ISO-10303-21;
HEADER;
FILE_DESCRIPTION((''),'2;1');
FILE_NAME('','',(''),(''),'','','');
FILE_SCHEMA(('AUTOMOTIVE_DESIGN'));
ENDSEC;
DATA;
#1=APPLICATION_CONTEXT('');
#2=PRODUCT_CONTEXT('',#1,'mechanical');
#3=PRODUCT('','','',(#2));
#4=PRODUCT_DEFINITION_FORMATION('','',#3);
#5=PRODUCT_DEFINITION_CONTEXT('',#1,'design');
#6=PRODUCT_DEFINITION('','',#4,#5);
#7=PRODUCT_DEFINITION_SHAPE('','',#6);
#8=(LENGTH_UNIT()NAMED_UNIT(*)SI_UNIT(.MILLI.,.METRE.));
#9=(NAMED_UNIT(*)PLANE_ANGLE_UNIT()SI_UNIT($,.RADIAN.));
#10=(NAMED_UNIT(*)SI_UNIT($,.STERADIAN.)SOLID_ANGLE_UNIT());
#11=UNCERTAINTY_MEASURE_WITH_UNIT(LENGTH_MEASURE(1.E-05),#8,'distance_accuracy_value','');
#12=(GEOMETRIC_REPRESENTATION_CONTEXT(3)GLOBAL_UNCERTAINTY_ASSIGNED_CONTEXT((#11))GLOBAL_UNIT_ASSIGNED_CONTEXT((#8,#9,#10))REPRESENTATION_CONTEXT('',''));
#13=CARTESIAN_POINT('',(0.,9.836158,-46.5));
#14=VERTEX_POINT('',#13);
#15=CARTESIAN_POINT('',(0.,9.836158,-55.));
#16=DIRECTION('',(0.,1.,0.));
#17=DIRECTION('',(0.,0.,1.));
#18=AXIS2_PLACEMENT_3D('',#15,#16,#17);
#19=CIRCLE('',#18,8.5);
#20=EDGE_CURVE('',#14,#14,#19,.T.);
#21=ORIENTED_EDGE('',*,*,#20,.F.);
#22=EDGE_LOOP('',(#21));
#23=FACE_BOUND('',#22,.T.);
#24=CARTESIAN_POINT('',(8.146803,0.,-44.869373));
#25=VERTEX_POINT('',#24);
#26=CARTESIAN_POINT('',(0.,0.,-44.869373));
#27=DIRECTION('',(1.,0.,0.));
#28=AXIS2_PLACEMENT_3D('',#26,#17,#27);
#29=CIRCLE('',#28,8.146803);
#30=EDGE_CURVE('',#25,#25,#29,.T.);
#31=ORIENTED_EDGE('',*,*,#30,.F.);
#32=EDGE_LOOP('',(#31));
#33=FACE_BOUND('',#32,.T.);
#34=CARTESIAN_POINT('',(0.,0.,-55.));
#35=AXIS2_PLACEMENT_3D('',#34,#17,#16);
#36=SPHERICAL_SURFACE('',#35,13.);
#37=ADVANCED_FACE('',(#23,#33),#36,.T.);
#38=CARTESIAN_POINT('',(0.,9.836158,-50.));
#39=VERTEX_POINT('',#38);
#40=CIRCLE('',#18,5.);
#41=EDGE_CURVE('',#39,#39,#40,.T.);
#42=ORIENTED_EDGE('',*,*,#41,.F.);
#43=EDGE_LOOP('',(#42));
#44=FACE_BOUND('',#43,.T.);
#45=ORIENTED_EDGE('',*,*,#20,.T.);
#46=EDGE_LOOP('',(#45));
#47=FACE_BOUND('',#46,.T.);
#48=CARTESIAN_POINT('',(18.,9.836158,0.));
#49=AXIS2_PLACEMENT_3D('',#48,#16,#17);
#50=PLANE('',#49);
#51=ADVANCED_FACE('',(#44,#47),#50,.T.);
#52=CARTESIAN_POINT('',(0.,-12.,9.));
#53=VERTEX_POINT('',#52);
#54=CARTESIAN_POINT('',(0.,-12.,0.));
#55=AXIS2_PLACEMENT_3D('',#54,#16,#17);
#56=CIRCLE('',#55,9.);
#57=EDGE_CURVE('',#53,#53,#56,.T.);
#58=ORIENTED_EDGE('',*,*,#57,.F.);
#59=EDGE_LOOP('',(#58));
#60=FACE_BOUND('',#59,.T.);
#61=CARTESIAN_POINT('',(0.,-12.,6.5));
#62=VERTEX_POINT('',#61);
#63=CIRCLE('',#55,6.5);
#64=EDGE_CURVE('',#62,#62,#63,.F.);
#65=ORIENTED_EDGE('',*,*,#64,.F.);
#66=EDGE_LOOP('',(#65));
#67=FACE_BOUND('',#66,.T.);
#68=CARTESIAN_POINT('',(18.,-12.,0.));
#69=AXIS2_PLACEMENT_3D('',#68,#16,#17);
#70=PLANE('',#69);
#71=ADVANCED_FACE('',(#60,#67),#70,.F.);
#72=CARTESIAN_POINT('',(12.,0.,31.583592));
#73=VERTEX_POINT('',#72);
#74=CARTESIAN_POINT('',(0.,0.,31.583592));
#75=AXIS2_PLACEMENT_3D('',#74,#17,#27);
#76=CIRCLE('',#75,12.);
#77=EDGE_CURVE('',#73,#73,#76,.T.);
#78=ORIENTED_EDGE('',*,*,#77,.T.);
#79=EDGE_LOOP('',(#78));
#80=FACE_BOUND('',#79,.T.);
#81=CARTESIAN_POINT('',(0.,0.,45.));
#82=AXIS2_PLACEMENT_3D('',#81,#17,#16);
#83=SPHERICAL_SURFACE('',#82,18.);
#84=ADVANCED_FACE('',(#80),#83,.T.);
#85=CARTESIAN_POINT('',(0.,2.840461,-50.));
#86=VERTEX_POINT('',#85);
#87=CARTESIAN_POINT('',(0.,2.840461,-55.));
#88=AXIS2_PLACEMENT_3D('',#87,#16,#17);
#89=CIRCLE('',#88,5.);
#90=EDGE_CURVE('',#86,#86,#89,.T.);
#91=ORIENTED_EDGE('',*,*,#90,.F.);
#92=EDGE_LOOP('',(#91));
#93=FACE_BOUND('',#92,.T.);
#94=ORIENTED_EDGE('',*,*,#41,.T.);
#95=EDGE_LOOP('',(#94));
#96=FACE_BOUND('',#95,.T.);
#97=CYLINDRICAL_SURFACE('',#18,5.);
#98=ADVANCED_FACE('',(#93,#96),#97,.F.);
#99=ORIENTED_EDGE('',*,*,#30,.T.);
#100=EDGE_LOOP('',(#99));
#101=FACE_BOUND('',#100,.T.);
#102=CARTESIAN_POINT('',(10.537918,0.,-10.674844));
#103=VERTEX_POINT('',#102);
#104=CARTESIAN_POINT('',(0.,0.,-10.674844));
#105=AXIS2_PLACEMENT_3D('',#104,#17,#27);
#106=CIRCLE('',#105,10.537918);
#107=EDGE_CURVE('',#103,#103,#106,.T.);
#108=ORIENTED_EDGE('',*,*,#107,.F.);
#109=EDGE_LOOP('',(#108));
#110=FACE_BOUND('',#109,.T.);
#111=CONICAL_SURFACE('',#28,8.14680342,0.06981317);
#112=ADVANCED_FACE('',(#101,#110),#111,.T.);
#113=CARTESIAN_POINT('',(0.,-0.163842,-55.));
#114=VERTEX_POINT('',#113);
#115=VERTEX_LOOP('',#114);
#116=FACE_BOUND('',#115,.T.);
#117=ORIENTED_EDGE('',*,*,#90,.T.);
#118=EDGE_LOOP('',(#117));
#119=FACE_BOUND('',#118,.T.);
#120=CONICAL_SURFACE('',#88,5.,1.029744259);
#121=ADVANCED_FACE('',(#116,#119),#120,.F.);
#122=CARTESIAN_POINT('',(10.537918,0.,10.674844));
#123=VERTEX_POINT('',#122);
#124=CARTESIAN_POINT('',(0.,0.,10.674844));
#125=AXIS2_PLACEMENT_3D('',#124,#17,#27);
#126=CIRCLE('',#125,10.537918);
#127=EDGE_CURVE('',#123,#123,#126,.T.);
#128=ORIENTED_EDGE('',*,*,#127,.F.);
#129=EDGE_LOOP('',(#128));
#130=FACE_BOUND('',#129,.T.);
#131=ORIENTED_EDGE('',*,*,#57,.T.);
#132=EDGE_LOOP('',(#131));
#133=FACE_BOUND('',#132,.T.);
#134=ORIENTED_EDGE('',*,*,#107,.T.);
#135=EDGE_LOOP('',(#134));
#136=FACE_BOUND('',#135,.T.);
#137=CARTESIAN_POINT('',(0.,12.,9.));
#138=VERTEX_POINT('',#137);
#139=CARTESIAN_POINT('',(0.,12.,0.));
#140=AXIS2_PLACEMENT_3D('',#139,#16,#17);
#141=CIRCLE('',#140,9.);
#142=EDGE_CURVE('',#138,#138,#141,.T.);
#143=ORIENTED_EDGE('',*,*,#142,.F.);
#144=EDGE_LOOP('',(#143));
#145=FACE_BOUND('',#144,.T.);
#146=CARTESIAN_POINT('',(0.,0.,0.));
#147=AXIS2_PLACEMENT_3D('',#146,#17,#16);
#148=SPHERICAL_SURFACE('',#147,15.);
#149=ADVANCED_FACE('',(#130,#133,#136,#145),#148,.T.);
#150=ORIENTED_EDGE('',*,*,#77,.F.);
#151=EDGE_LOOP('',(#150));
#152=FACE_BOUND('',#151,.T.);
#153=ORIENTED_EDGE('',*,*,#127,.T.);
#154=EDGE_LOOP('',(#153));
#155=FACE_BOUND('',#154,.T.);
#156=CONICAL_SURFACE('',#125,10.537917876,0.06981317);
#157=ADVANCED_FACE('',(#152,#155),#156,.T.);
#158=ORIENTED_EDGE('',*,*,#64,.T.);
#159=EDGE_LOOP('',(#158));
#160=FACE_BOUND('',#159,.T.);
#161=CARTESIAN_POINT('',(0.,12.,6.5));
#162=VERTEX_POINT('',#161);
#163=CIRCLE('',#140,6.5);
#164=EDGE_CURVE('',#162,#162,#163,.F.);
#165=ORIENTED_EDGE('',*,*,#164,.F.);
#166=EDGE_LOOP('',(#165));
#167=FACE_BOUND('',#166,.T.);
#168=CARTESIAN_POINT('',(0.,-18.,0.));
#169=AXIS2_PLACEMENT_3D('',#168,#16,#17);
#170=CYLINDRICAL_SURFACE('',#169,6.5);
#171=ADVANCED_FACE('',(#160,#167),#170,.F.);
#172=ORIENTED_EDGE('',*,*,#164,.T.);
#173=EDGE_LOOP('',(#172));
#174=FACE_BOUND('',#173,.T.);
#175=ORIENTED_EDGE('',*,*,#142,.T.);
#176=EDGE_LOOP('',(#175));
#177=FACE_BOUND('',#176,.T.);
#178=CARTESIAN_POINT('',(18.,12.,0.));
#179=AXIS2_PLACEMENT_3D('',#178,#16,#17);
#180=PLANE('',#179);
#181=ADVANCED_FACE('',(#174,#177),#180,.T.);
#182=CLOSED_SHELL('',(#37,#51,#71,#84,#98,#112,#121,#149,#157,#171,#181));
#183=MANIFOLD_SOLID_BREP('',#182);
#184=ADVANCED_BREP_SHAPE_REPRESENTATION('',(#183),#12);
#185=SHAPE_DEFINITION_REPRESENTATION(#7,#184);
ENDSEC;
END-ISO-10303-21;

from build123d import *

# Parameters (mm, degrees)
CUT_EXTRUDE1_DEPTH         = 73.608539
CUT_EXTRUDE1_DEPTH_BACK    = 73.608539
SKETCH2_R                  = 6.5
CUT_EXTRUDE7_DEPTH         = 73.608539
CUT_EXTRUDE7_DEPTH_BACK    = 12
F_10_0MM_DOWEL_HOLE1_D     = 10
F_10_0MM_DOWEL_HOLE1_DEPTH = 6.995697
F_10_0MM_DOWEL_HOLE1_TIP   = 3.004303


with BuildPart() as part:
    # Sketch1 → Revolve1 (revolve)
    with BuildSketch(Plane(origin=(0, 0, 0), x_dir=(0, 0, -1), z_dir=(1, 0, 0))):
        with BuildLine():
            Line((-63, 0), (68, 0))
            ThreePointArc((68, 0), (59.318672, 12.261691), (44.869373, 8.146803))
            Line((44.869373, 8.146803), (10.674844, 10.537918))
            ThreePointArc((10.674844, 10.537918), (0, 15), (-10.674844, 10.537918))
            Line((-10.674844, 10.537918), (-31.583592, 12))
            ThreePointArc((-31.583592, 12), (-51.422798, 16.815102), (-63, 0))
        make_face()
    revolve(axis=Axis((0, 0, 63), (0, 0, -1)))

    # Sketch2 → Cut-Extrude1 (cut, two sides: drawn at the far end of the back side and taken through both)
    with BuildSketch(Plane(origin=(0, 0, 0), x_dir=(1, 0, 0), z_dir=(0, 1, 0)).offset(-CUT_EXTRUDE1_DEPTH_BACK)):
        with Locations(Location((0, 0, 0), (0, 0, 270))):
            Circle(SKETCH2_R)
    extrude(amount=CUT_EXTRUDE1_DEPTH + CUT_EXTRUDE1_DEPTH_BACK, mode=Mode.SUBTRACT)

    # Sketch6 → Cut-Extrude7 (cut, two sides: drawn at the far end of the back side and taken through both)
    with BuildSketch(Plane(origin=(0, 0, 0), x_dir=(0, 0, -1), z_dir=(1, 0, 0)).offset(-CUT_EXTRUDE7_DEPTH_BACK)):
        with BuildLine():
            Line((6.5, 13.518506), (-6.5, 13.518506))
            ThreePointArc((-6.5, 13.518506), (-7.787102, 12.820337), (-9, 12))
            Line((-9, 12), (9, 12))
            ThreePointArc((9, 12), (7.787102, 12.820337), (6.5, 13.518506))
        make_face()
        with BuildLine():
            Line((9, -12), (-9, -12))
            ThreePointArc((-9, -12), (-7.787102, -12.820337), (-6.5, -13.518506))
            Line((-6.5, -13.518506), (6.5, -13.518506))
            ThreePointArc((6.5, -13.518506), (7.787102, -12.820337), (9, -12))
        make_face()
        with BuildLine():
            Line((46.5, 9.836158), (63.5, 9.836158))
            ThreePointArc((63.5, 9.836158), (55, 13), (46.5, 9.836158))
        make_face()
    extrude(amount=CUT_EXTRUDE7_DEPTH + CUT_EXTRUDE7_DEPTH_BACK, mode=Mode.SUBTRACT)

    # Ø10.0mm Dowel Hole1
    with Locations(Plane(origin=(0, 9.836158, -55), x_dir=(0, 0, 1), z_dir=(0, 1, 0))):
        with Locations((0, 0)):
            Hole(F_10_0MM_DOWEL_HOLE1_D / 2, depth=F_10_0MM_DOWEL_HOLE1_DEPTH)
            with Locations((0, 0, -(F_10_0MM_DOWEL_HOLE1_DEPTH + F_10_0MM_DOWEL_HOLE1_TIP / 2))):  # 118° drill point
                Cone(0, F_10_0MM_DOWEL_HOLE1_D / 2, F_10_0MM_DOWEL_HOLE1_TIP, mode=Mode.SUBTRACT)


solid = part.part
